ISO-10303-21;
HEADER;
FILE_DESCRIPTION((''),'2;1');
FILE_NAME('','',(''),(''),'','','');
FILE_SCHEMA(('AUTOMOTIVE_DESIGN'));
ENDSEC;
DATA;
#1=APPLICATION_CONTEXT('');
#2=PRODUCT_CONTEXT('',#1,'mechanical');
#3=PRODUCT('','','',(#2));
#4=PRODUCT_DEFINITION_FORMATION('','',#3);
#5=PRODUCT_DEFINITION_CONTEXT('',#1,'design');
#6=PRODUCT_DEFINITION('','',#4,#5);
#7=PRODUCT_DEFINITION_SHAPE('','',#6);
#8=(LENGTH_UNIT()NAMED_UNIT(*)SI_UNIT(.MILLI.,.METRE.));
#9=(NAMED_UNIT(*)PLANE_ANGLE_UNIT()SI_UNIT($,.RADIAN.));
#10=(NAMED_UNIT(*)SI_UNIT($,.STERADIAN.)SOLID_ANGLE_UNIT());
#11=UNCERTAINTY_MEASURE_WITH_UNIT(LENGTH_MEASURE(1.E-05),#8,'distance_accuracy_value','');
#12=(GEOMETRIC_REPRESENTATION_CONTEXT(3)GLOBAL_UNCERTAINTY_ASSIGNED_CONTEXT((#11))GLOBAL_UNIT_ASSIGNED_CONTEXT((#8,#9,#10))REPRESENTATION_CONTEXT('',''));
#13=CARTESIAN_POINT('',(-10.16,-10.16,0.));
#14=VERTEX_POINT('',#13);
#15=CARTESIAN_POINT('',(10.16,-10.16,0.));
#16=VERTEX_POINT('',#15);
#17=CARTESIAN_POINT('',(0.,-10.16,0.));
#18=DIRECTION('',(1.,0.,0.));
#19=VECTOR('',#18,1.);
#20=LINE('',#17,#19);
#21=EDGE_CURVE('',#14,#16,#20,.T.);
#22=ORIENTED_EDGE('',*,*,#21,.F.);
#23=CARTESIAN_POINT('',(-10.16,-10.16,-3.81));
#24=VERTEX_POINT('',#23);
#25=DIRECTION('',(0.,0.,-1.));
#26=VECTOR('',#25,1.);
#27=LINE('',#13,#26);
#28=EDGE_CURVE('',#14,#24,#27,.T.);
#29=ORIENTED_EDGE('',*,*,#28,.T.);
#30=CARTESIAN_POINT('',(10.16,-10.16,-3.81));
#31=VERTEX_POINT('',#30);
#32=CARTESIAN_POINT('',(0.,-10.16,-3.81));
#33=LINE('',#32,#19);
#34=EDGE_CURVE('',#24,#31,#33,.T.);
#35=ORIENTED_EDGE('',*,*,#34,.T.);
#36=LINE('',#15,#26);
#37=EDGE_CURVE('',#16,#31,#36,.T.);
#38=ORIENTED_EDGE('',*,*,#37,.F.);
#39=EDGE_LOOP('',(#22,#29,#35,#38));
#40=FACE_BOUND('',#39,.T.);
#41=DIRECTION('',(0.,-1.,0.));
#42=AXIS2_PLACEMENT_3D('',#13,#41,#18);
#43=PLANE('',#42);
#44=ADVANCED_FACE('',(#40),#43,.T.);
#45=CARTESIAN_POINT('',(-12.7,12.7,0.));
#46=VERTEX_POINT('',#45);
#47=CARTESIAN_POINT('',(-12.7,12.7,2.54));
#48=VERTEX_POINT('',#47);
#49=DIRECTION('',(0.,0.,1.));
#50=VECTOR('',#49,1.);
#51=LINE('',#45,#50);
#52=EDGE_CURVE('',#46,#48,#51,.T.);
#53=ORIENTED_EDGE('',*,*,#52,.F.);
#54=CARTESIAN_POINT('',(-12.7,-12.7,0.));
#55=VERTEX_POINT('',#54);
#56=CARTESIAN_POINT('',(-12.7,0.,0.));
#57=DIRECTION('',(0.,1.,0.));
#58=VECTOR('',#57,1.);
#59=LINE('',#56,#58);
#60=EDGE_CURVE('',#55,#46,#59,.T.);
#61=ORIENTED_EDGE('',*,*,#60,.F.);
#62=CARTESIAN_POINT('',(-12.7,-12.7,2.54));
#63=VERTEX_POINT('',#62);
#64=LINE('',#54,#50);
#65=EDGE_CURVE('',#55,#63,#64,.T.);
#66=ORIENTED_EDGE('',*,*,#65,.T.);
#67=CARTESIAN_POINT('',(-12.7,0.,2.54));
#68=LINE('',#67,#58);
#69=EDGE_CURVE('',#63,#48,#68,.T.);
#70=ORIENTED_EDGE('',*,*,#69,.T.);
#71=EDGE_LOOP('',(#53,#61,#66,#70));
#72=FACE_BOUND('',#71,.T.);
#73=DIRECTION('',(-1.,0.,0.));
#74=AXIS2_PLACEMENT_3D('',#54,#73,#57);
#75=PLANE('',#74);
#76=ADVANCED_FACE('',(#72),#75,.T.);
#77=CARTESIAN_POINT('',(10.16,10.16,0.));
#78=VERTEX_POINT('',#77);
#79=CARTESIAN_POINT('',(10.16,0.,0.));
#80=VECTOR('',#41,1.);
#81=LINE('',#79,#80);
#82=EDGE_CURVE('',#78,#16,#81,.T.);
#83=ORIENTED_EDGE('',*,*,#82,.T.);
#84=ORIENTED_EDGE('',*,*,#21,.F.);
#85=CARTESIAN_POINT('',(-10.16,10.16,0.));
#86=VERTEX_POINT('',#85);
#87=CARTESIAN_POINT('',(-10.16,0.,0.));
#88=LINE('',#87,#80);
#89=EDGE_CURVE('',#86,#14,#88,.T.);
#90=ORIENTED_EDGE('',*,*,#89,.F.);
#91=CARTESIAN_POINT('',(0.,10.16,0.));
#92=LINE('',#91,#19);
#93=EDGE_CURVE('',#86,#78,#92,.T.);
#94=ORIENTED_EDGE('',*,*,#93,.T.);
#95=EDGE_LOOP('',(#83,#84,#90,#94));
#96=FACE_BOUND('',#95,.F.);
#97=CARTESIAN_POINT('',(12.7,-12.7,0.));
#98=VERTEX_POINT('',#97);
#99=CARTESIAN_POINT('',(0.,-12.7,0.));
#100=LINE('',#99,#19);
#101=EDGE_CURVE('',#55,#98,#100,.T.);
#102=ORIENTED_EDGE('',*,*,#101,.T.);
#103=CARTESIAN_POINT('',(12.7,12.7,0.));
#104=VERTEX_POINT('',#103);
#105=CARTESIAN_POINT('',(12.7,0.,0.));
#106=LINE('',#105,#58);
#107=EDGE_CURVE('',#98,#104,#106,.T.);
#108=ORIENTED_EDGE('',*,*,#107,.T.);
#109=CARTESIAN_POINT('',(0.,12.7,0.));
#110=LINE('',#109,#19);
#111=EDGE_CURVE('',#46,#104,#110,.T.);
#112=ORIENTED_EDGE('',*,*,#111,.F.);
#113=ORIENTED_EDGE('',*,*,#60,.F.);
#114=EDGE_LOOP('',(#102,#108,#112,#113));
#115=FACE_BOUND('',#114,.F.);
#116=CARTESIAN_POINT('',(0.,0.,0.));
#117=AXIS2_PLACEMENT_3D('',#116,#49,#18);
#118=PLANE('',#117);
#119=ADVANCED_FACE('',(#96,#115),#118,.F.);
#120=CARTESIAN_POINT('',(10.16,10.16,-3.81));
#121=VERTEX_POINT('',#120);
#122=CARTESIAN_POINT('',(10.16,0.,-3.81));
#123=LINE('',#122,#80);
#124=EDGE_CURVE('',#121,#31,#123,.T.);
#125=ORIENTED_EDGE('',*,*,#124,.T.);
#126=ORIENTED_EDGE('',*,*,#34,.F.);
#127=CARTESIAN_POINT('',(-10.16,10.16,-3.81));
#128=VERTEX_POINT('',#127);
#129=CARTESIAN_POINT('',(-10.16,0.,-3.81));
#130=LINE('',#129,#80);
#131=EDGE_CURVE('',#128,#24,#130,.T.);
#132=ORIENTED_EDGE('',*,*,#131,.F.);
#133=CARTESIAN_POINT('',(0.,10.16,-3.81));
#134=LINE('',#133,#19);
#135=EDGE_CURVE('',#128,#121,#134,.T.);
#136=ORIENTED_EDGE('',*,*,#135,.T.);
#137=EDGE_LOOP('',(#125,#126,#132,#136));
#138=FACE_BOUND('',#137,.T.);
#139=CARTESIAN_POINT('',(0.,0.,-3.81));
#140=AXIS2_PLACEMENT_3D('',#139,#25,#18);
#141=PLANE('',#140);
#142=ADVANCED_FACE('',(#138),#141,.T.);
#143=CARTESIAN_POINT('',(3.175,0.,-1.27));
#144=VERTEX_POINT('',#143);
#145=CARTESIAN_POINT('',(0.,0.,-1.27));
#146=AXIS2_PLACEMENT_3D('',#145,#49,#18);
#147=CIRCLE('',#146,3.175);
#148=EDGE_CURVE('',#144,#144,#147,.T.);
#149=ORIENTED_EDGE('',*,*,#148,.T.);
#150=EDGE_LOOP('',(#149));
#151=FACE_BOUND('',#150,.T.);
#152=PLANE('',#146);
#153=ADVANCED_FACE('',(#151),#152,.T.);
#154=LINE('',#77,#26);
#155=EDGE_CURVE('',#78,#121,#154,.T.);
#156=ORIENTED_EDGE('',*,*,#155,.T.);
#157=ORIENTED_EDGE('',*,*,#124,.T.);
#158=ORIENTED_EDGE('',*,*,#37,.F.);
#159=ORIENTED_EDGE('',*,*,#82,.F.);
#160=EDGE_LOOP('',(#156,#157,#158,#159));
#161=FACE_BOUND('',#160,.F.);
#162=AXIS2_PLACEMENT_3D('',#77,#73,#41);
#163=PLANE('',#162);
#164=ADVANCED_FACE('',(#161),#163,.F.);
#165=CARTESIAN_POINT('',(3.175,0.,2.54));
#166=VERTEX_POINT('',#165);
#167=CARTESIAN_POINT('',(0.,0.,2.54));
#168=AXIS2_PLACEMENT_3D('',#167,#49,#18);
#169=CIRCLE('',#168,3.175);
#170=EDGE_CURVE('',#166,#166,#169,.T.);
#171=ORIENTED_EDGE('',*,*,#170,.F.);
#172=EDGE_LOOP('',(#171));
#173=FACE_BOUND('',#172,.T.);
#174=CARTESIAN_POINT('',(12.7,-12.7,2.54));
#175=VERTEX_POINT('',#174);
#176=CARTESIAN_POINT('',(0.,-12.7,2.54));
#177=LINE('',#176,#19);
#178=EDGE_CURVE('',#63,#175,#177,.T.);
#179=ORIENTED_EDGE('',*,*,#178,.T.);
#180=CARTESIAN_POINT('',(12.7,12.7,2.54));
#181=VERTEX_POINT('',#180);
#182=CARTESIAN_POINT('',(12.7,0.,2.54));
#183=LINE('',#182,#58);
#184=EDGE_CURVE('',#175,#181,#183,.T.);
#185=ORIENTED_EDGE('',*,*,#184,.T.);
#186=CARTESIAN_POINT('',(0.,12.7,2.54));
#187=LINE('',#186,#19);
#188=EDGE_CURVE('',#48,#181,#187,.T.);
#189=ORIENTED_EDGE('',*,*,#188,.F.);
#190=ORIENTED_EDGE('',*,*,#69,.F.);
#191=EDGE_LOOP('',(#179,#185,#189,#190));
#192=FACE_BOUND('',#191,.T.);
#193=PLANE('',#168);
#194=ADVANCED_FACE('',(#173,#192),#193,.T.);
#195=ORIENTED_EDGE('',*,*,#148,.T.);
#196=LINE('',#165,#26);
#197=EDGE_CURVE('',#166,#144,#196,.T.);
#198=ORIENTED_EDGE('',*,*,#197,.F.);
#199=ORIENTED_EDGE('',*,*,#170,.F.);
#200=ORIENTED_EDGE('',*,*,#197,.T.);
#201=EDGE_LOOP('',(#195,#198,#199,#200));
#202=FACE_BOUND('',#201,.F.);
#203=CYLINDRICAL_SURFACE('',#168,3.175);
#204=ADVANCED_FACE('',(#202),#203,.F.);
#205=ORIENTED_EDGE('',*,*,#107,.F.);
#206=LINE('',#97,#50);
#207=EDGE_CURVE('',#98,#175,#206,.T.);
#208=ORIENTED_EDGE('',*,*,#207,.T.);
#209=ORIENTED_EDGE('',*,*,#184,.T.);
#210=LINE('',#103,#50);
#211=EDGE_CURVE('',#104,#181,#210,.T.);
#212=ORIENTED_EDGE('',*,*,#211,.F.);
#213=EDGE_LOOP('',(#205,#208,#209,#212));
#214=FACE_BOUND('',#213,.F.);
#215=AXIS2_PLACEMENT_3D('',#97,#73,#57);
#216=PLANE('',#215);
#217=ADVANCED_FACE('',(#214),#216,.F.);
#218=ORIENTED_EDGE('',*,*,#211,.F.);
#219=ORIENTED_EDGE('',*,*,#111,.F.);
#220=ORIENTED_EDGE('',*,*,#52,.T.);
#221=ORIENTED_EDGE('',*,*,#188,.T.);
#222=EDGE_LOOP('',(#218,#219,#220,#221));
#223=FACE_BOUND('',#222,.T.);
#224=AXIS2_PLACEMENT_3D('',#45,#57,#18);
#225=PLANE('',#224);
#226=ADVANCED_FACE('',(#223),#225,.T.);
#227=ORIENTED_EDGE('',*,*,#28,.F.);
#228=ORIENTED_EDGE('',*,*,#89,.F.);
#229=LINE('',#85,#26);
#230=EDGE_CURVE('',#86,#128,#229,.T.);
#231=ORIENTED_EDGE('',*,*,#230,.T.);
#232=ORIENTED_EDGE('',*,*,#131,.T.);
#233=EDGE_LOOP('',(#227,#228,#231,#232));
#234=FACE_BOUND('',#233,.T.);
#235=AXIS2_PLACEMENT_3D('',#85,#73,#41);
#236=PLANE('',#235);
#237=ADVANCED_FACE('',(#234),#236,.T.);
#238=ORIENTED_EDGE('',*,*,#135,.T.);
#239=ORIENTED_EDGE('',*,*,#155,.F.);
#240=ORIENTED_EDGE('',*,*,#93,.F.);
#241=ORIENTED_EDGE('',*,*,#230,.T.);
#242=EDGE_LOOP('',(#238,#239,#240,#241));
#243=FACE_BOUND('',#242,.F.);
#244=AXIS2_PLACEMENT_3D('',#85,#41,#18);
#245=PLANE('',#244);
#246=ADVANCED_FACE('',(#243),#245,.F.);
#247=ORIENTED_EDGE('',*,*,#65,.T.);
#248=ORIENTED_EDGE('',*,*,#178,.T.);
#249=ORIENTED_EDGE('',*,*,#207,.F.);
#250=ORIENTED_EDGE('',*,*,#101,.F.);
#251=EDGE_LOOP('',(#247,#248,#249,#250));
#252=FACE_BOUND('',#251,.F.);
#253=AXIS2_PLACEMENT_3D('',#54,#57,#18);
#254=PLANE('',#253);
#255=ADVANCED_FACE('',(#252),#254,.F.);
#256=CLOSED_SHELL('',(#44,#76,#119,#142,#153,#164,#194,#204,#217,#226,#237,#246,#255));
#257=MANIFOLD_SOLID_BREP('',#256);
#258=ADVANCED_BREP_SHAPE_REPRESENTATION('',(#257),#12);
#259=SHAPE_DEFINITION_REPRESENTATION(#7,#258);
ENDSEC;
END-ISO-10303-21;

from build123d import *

# Parameters (mm, degrees)
F0_W     = 25.4
F0_H     = 25.4
F1_DEPTH = 2.54
F2_W     = 20.32
F2_H     = 20.32
F3_DEPTH = 3.81
F4_R     = 3.175
F5_DEPTH = 3.81


with BuildPart() as f1:
    # F0 (on Top) → F1 (new body)
    with BuildSketch(Plane.XY):
        Rectangle(F0_W, F0_H)
    extrude(amount=F1_DEPTH)

    # F2 (on face) → F3 (join)
    with BuildSketch(Plane(origin=(0, 0, 0), x_dir=(1, 0, 0), z_dir=(0, 0, -1))):
        Rectangle(F2_W, F2_H)
    extrude(amount=F3_DEPTH)

    # F4 (on face) → F5 (cut)
    with BuildSketch(Plane.XY.offset(2.54)):
        Circle(F4_R)
    extrude(amount=-F5_DEPTH, mode=Mode.SUBTRACT)


solid = f1.part
